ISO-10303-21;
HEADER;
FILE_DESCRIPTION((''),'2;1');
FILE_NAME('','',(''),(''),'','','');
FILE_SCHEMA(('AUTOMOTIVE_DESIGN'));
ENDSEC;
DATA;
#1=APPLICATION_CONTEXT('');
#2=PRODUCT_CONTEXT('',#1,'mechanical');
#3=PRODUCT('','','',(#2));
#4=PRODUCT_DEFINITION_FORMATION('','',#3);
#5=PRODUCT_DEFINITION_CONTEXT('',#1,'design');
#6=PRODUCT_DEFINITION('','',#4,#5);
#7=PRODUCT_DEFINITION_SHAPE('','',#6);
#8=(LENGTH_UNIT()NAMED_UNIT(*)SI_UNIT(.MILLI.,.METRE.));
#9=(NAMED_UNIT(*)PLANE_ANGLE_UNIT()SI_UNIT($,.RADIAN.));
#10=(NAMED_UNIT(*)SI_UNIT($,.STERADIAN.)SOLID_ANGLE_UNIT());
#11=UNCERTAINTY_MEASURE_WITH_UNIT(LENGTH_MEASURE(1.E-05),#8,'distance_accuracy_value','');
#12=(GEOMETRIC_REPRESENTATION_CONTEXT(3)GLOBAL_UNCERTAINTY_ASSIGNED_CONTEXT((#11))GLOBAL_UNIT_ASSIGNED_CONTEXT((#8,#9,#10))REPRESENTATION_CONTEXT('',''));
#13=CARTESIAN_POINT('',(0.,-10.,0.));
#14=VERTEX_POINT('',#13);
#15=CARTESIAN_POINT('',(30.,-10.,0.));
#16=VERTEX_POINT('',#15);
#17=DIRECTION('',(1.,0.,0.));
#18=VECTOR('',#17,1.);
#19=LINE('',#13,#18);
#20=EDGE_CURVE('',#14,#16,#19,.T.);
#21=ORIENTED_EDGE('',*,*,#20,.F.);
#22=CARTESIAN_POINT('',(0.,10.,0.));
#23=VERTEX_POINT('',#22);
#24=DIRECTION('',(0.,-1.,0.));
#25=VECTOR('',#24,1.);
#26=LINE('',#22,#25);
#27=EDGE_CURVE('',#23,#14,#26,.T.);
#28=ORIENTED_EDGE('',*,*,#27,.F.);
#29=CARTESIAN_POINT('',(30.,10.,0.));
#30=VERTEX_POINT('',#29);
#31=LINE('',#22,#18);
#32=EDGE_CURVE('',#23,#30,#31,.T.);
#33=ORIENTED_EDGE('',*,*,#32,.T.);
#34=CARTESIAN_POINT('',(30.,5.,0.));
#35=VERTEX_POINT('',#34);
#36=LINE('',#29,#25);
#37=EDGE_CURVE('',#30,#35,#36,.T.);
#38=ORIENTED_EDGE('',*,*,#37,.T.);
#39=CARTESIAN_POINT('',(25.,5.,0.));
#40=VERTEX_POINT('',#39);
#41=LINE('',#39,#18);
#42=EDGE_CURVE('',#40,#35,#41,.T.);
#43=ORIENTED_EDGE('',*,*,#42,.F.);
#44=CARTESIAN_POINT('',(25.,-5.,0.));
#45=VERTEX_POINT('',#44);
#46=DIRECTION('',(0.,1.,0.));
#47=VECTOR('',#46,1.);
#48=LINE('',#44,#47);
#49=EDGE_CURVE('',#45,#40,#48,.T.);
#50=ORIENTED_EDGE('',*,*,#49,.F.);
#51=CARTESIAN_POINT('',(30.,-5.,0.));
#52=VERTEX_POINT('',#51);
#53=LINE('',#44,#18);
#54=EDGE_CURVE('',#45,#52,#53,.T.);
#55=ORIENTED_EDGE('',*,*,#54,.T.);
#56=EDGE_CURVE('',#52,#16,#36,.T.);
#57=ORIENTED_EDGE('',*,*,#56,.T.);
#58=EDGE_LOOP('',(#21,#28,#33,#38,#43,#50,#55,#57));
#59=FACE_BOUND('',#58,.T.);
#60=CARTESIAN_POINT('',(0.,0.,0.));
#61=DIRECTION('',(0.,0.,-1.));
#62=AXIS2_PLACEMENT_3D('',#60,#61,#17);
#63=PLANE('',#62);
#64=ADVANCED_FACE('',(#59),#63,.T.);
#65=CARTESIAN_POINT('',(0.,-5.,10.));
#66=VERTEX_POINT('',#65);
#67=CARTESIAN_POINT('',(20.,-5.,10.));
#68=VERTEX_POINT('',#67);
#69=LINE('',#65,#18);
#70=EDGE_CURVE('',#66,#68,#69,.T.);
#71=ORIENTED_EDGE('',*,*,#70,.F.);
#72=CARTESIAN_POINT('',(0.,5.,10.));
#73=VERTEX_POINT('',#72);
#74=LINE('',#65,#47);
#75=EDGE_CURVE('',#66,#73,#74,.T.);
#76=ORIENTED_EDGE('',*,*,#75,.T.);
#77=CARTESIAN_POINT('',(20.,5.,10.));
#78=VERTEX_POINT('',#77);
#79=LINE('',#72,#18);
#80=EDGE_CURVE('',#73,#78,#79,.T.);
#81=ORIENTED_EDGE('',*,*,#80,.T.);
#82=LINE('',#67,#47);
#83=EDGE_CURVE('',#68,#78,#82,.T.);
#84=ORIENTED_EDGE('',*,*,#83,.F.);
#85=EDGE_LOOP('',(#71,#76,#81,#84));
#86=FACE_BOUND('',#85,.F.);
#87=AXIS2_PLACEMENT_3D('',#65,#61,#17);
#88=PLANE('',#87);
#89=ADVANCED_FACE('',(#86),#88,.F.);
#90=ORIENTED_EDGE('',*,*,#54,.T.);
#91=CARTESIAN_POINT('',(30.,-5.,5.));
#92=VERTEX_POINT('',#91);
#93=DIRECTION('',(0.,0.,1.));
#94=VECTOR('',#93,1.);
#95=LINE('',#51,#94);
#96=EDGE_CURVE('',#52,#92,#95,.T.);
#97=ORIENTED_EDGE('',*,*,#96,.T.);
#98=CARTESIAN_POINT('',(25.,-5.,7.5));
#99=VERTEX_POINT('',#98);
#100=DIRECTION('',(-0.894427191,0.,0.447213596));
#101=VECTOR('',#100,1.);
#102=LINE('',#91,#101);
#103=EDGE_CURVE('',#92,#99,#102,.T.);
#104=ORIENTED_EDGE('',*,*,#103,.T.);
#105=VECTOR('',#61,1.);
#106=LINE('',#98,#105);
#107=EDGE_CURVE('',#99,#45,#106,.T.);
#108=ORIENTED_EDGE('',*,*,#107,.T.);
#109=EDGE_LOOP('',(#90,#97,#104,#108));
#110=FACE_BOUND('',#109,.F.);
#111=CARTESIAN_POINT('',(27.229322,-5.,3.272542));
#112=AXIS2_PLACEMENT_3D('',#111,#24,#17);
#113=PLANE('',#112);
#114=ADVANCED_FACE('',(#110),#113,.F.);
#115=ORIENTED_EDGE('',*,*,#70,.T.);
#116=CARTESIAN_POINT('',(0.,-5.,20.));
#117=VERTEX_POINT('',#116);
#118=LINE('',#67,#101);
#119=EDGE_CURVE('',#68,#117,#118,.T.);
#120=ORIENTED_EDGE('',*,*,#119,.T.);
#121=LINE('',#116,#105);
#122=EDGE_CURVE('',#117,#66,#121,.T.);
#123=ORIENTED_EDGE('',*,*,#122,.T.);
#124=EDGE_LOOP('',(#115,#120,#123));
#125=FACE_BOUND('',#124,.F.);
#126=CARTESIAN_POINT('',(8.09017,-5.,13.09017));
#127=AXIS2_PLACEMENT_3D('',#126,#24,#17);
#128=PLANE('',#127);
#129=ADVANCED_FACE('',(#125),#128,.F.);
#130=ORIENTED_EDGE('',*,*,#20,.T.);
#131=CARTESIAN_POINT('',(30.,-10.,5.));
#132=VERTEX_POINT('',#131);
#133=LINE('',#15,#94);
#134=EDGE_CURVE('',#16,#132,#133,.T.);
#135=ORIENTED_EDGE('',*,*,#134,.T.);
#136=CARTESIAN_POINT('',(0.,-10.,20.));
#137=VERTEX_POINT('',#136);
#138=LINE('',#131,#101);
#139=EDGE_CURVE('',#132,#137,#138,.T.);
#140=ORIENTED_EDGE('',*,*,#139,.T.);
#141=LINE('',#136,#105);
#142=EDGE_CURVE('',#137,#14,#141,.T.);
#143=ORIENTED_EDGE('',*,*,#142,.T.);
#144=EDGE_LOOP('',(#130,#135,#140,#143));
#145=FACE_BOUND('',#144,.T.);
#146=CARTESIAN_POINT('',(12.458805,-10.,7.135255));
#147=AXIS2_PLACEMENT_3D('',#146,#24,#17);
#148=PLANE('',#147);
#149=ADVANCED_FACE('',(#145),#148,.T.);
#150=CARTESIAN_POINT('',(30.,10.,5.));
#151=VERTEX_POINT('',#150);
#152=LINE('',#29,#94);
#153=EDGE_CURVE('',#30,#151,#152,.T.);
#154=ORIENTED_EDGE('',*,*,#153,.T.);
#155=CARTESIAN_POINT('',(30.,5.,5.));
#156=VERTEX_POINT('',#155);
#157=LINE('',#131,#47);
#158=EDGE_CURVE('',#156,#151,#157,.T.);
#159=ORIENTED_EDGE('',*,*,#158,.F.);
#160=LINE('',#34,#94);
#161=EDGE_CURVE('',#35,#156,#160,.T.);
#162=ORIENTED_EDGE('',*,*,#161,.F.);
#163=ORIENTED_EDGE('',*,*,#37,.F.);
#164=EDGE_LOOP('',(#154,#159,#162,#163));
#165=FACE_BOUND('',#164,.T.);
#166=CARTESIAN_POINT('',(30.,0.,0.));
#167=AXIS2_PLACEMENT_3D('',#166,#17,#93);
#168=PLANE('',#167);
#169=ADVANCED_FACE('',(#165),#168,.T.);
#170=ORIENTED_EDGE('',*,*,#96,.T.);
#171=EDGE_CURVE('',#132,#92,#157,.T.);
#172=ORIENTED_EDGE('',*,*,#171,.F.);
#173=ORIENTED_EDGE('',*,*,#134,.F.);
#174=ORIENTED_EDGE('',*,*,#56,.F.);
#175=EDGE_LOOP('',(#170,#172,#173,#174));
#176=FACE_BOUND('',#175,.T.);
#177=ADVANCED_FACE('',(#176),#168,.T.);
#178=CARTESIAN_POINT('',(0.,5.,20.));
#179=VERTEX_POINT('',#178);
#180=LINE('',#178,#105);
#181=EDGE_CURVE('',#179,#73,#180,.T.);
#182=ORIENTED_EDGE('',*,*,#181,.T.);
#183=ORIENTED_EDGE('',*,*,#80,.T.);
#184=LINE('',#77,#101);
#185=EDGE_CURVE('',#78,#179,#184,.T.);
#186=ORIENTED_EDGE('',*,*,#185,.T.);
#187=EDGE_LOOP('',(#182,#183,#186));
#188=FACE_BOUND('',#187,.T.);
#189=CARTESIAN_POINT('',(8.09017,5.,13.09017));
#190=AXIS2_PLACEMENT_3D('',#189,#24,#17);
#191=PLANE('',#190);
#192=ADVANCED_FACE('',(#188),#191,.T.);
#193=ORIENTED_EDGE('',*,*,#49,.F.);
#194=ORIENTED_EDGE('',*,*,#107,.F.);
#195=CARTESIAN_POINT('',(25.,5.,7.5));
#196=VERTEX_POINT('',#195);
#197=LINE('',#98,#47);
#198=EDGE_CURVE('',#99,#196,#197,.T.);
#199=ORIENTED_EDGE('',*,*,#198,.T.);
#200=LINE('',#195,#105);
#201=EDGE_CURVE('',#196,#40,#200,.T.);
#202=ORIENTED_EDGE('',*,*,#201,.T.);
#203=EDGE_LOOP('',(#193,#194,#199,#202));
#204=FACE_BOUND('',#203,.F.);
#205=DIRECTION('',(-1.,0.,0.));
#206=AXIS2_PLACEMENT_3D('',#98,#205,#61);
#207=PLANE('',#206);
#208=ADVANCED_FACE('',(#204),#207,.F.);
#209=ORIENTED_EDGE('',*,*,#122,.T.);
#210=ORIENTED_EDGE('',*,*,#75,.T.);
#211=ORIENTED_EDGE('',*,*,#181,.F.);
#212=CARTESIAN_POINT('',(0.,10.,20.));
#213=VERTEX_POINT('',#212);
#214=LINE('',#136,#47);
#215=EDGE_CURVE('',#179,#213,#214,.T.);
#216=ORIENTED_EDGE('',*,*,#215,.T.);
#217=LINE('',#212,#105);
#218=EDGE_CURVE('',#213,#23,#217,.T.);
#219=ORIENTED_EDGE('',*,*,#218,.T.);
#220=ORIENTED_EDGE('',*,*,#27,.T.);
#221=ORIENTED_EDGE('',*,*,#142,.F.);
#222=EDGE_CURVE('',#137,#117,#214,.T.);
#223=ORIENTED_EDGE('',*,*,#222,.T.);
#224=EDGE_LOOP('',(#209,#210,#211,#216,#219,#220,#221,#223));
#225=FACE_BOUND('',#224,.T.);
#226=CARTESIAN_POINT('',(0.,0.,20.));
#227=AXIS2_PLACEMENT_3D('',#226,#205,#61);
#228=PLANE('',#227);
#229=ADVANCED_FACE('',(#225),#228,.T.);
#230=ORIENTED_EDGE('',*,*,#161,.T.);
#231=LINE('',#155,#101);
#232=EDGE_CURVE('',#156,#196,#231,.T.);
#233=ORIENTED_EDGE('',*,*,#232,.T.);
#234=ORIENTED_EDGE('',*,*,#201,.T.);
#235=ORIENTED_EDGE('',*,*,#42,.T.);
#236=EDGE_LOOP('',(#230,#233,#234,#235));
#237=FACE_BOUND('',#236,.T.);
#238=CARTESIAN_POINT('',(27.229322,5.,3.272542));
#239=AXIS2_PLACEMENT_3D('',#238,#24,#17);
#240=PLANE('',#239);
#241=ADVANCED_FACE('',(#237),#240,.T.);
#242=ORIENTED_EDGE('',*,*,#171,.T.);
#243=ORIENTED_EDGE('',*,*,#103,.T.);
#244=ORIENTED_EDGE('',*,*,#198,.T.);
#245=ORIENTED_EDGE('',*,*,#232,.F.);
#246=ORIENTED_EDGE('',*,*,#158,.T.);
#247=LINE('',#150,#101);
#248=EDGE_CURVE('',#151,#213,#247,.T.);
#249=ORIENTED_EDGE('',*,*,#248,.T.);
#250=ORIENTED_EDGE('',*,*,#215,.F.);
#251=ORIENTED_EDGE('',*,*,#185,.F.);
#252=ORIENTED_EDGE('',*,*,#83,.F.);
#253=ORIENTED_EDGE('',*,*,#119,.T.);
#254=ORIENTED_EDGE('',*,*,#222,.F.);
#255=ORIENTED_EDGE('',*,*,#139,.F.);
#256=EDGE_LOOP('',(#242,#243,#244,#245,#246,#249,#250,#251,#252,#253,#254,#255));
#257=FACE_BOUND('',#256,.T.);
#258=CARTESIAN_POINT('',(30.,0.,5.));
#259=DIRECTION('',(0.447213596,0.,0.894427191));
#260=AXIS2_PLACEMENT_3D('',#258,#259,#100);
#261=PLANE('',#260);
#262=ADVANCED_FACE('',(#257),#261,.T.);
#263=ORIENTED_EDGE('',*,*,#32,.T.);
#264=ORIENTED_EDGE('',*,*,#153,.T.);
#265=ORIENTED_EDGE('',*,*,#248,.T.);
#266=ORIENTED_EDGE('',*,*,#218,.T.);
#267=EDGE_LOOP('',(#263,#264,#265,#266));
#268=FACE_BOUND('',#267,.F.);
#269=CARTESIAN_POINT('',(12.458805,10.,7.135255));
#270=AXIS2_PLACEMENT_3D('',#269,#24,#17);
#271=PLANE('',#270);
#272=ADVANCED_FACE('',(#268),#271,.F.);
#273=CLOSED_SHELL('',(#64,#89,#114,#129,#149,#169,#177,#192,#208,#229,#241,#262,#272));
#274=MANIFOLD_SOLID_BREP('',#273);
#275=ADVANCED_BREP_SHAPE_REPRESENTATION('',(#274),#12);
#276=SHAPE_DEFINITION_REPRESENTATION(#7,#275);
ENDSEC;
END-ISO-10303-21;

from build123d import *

# Parameters (mm, degrees)
F1_DEPTH = 10
F3_START = -5
F3_DEPTH = 10
F5_START = -5
F5_DEPTH = 10


with BuildPart() as f1:
    # F0 (on Front) → F1 (new body, symmetric)
    with BuildSketch(Plane.XZ):
        Polygon((0, 20), (0, 0), (30, 0), (30, 5), align=None)
    extrude(amount=F1_DEPTH, both=True)

    # F2 (on face) → F3 (cut)
    with BuildSketch(Plane.XZ.offset(10).offset(F3_START)):
        Polygon((20, 10), (0, 20), (0, 10), align=None)
    extrude(amount=-F3_DEPTH, mode=Mode.SUBTRACT)

    # F4 (on face) → F5 (cut)
    with BuildSketch(Plane.XZ.offset(10).offset(F5_START)):
        Polygon((30, 5), (25, 7.5), (25, 0), (30, 0), align=None)
    extrude(amount=-F5_DEPTH, mode=Mode.SUBTRACT)


solid = f1.part
